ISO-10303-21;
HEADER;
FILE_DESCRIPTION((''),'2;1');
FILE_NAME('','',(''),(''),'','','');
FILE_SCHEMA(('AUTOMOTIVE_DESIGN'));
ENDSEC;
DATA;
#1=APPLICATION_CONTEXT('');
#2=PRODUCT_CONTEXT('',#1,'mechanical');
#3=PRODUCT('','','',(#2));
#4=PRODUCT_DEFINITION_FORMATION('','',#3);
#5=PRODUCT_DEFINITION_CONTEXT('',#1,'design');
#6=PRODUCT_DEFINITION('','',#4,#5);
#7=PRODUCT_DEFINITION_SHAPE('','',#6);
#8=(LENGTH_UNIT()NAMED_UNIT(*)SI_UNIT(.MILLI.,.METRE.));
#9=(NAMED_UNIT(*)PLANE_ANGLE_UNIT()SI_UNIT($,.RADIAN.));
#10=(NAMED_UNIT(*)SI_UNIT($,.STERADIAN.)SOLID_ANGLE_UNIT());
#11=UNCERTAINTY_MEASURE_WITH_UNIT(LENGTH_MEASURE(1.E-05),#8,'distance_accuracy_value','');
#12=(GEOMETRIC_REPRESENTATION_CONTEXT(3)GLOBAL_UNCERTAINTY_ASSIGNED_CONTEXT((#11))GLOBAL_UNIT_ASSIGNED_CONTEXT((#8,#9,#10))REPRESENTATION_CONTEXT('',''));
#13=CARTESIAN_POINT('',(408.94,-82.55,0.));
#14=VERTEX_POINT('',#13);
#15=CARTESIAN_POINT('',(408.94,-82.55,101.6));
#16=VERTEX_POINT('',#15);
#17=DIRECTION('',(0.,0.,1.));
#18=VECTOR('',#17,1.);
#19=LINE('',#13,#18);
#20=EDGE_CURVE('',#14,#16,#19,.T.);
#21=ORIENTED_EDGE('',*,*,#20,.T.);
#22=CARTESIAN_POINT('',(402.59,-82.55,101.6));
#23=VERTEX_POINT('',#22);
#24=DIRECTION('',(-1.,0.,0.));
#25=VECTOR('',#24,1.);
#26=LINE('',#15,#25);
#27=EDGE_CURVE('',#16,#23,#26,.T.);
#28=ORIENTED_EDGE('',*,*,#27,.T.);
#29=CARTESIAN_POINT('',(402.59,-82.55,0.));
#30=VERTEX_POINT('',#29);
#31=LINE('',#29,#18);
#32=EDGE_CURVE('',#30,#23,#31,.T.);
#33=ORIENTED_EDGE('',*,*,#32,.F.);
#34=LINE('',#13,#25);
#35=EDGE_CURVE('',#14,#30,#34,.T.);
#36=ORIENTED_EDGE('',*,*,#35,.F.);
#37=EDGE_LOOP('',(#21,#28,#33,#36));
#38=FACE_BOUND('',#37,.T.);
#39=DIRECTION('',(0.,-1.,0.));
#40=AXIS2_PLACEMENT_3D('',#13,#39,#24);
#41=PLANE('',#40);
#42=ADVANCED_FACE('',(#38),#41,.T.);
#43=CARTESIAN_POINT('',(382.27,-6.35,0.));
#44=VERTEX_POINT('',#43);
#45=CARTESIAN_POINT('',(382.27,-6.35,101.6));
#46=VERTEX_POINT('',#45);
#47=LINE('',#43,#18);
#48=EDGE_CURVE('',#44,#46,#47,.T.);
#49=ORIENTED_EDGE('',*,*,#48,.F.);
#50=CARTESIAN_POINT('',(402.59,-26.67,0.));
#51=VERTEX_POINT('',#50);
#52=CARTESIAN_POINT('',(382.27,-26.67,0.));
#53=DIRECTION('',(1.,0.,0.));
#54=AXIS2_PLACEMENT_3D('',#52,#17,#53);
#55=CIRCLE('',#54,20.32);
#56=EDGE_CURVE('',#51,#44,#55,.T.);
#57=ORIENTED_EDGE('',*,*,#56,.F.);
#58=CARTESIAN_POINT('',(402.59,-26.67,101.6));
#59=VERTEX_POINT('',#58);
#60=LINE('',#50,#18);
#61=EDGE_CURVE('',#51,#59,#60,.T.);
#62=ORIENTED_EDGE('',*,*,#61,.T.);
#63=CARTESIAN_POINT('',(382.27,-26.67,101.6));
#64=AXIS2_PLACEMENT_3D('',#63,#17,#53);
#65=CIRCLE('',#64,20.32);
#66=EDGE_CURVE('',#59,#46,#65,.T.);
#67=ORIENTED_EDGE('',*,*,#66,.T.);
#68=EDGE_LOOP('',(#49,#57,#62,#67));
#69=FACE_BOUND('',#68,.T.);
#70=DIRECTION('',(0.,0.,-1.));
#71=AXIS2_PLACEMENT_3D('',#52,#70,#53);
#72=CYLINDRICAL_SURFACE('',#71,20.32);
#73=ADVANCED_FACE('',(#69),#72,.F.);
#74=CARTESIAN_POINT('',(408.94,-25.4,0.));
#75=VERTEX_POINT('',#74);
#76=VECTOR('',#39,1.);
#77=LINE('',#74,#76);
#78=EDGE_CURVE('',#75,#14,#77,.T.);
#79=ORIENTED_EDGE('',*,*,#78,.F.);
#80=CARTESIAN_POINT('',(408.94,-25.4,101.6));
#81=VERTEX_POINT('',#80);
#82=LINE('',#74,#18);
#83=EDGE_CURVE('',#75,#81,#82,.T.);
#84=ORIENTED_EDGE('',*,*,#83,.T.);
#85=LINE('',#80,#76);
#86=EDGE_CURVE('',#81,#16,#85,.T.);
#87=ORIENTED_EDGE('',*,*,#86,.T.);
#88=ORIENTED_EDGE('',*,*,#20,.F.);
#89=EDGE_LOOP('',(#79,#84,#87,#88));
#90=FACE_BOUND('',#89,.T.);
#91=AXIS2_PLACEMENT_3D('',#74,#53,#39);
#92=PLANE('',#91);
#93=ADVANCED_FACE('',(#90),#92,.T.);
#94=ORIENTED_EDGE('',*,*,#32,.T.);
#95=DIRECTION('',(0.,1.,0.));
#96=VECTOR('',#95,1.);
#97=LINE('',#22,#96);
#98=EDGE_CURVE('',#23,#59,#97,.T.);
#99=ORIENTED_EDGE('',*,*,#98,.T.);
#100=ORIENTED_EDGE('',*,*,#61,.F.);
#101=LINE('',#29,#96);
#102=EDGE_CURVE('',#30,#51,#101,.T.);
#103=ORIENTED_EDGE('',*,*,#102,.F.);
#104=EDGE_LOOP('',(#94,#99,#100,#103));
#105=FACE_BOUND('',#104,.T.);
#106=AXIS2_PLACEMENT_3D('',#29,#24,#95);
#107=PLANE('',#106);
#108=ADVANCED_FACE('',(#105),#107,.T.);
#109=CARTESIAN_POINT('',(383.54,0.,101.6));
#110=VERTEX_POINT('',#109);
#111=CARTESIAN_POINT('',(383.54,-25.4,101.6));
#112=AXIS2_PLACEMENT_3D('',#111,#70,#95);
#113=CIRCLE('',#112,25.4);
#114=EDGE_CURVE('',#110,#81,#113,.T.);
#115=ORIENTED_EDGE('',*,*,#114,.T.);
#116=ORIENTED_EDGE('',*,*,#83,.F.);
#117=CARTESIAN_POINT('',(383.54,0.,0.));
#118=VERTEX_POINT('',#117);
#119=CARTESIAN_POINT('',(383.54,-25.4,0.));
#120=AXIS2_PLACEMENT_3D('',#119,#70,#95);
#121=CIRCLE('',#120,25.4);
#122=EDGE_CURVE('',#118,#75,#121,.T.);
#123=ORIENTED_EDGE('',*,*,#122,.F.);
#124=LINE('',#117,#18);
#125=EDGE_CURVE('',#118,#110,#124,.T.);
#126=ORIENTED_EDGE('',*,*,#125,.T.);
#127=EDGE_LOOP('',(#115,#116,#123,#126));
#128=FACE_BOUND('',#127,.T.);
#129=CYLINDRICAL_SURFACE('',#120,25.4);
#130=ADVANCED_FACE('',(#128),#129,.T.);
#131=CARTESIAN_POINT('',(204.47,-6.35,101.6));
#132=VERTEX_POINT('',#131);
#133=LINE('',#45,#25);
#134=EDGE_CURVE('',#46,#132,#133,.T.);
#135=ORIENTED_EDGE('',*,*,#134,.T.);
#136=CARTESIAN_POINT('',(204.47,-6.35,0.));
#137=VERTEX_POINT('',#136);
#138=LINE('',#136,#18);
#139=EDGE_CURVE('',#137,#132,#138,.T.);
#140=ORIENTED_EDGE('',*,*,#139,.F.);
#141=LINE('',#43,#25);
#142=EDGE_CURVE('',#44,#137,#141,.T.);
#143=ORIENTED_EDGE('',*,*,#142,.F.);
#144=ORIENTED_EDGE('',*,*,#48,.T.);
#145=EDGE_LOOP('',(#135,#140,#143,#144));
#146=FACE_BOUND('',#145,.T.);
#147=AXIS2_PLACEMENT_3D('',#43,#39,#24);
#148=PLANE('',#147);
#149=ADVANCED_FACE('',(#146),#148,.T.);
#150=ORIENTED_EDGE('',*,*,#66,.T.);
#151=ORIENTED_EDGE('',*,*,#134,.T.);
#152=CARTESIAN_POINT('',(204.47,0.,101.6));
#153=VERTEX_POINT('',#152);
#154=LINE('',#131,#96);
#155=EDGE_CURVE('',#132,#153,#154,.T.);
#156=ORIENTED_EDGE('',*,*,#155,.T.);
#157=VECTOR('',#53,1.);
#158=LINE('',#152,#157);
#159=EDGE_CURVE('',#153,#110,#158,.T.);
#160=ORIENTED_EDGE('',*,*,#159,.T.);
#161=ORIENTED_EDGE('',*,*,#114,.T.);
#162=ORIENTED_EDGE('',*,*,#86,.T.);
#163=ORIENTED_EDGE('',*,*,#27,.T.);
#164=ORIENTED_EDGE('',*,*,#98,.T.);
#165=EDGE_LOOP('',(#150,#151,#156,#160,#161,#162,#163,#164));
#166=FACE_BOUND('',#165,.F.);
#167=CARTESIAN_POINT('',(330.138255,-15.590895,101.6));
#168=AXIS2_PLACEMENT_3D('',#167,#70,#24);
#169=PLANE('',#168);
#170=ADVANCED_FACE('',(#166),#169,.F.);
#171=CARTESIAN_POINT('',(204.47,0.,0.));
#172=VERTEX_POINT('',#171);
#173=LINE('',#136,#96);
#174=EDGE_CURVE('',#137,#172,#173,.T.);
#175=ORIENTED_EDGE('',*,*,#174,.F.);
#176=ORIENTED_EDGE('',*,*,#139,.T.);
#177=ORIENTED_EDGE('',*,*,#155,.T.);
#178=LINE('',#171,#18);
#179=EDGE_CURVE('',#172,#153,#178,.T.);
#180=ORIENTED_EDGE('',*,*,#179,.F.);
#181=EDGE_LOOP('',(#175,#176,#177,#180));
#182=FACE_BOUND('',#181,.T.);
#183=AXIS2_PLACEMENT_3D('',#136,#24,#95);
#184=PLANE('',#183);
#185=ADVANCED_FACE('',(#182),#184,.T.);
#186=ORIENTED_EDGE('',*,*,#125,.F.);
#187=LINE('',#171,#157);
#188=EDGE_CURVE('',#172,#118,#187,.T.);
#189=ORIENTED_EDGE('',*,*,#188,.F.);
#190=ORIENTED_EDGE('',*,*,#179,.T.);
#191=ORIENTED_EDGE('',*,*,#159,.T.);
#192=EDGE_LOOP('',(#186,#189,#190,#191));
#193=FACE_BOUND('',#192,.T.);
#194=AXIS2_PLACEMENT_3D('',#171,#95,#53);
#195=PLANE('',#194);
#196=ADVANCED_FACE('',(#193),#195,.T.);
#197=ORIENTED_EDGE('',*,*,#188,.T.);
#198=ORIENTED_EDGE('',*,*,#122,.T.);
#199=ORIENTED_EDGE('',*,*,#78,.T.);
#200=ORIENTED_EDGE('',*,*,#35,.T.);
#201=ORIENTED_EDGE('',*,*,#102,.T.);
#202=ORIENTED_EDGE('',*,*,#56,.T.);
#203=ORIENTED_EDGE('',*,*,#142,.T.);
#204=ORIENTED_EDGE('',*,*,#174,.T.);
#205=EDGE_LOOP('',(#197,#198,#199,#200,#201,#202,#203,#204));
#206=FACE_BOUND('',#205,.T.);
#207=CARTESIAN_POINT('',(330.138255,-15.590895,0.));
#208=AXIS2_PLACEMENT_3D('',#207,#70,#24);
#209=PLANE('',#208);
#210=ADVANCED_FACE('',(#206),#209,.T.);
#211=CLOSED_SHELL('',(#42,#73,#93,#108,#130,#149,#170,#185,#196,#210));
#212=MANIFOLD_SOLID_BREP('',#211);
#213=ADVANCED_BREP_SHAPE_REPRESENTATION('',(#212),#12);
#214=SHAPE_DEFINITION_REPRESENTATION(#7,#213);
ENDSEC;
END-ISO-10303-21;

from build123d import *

# Parameters (mm, degrees)
BOSS_EXTRUDE1_DEPTH = 101.6


with BuildPart() as part:
    # Sketch2 → Boss-Extrude1 (new body)
    with BuildSketch(Plane.XY):
        with BuildLine():
            Line((204.47, 0), (383.54, 0))
            ThreePointArc((383.54, 0), (401.500512242, -7.439487758), (408.94, -25.4))
            Line((408.94, -25.4), (408.94, -82.55))
            Line((408.94, -82.55), (402.59, -82.55))
            Line((402.59, -82.55), (402.59, -26.67))
            ThreePointArc((402.59, -26.67), (396.638409794, -12.301590206), (382.27, -6.35))
            Line((382.27, -6.35), (204.47, -6.35))
            Line((204.47, -6.35), (204.47, 0))
        make_face()
    extrude(amount=BOSS_EXTRUDE1_DEPTH)


solid = part.part
